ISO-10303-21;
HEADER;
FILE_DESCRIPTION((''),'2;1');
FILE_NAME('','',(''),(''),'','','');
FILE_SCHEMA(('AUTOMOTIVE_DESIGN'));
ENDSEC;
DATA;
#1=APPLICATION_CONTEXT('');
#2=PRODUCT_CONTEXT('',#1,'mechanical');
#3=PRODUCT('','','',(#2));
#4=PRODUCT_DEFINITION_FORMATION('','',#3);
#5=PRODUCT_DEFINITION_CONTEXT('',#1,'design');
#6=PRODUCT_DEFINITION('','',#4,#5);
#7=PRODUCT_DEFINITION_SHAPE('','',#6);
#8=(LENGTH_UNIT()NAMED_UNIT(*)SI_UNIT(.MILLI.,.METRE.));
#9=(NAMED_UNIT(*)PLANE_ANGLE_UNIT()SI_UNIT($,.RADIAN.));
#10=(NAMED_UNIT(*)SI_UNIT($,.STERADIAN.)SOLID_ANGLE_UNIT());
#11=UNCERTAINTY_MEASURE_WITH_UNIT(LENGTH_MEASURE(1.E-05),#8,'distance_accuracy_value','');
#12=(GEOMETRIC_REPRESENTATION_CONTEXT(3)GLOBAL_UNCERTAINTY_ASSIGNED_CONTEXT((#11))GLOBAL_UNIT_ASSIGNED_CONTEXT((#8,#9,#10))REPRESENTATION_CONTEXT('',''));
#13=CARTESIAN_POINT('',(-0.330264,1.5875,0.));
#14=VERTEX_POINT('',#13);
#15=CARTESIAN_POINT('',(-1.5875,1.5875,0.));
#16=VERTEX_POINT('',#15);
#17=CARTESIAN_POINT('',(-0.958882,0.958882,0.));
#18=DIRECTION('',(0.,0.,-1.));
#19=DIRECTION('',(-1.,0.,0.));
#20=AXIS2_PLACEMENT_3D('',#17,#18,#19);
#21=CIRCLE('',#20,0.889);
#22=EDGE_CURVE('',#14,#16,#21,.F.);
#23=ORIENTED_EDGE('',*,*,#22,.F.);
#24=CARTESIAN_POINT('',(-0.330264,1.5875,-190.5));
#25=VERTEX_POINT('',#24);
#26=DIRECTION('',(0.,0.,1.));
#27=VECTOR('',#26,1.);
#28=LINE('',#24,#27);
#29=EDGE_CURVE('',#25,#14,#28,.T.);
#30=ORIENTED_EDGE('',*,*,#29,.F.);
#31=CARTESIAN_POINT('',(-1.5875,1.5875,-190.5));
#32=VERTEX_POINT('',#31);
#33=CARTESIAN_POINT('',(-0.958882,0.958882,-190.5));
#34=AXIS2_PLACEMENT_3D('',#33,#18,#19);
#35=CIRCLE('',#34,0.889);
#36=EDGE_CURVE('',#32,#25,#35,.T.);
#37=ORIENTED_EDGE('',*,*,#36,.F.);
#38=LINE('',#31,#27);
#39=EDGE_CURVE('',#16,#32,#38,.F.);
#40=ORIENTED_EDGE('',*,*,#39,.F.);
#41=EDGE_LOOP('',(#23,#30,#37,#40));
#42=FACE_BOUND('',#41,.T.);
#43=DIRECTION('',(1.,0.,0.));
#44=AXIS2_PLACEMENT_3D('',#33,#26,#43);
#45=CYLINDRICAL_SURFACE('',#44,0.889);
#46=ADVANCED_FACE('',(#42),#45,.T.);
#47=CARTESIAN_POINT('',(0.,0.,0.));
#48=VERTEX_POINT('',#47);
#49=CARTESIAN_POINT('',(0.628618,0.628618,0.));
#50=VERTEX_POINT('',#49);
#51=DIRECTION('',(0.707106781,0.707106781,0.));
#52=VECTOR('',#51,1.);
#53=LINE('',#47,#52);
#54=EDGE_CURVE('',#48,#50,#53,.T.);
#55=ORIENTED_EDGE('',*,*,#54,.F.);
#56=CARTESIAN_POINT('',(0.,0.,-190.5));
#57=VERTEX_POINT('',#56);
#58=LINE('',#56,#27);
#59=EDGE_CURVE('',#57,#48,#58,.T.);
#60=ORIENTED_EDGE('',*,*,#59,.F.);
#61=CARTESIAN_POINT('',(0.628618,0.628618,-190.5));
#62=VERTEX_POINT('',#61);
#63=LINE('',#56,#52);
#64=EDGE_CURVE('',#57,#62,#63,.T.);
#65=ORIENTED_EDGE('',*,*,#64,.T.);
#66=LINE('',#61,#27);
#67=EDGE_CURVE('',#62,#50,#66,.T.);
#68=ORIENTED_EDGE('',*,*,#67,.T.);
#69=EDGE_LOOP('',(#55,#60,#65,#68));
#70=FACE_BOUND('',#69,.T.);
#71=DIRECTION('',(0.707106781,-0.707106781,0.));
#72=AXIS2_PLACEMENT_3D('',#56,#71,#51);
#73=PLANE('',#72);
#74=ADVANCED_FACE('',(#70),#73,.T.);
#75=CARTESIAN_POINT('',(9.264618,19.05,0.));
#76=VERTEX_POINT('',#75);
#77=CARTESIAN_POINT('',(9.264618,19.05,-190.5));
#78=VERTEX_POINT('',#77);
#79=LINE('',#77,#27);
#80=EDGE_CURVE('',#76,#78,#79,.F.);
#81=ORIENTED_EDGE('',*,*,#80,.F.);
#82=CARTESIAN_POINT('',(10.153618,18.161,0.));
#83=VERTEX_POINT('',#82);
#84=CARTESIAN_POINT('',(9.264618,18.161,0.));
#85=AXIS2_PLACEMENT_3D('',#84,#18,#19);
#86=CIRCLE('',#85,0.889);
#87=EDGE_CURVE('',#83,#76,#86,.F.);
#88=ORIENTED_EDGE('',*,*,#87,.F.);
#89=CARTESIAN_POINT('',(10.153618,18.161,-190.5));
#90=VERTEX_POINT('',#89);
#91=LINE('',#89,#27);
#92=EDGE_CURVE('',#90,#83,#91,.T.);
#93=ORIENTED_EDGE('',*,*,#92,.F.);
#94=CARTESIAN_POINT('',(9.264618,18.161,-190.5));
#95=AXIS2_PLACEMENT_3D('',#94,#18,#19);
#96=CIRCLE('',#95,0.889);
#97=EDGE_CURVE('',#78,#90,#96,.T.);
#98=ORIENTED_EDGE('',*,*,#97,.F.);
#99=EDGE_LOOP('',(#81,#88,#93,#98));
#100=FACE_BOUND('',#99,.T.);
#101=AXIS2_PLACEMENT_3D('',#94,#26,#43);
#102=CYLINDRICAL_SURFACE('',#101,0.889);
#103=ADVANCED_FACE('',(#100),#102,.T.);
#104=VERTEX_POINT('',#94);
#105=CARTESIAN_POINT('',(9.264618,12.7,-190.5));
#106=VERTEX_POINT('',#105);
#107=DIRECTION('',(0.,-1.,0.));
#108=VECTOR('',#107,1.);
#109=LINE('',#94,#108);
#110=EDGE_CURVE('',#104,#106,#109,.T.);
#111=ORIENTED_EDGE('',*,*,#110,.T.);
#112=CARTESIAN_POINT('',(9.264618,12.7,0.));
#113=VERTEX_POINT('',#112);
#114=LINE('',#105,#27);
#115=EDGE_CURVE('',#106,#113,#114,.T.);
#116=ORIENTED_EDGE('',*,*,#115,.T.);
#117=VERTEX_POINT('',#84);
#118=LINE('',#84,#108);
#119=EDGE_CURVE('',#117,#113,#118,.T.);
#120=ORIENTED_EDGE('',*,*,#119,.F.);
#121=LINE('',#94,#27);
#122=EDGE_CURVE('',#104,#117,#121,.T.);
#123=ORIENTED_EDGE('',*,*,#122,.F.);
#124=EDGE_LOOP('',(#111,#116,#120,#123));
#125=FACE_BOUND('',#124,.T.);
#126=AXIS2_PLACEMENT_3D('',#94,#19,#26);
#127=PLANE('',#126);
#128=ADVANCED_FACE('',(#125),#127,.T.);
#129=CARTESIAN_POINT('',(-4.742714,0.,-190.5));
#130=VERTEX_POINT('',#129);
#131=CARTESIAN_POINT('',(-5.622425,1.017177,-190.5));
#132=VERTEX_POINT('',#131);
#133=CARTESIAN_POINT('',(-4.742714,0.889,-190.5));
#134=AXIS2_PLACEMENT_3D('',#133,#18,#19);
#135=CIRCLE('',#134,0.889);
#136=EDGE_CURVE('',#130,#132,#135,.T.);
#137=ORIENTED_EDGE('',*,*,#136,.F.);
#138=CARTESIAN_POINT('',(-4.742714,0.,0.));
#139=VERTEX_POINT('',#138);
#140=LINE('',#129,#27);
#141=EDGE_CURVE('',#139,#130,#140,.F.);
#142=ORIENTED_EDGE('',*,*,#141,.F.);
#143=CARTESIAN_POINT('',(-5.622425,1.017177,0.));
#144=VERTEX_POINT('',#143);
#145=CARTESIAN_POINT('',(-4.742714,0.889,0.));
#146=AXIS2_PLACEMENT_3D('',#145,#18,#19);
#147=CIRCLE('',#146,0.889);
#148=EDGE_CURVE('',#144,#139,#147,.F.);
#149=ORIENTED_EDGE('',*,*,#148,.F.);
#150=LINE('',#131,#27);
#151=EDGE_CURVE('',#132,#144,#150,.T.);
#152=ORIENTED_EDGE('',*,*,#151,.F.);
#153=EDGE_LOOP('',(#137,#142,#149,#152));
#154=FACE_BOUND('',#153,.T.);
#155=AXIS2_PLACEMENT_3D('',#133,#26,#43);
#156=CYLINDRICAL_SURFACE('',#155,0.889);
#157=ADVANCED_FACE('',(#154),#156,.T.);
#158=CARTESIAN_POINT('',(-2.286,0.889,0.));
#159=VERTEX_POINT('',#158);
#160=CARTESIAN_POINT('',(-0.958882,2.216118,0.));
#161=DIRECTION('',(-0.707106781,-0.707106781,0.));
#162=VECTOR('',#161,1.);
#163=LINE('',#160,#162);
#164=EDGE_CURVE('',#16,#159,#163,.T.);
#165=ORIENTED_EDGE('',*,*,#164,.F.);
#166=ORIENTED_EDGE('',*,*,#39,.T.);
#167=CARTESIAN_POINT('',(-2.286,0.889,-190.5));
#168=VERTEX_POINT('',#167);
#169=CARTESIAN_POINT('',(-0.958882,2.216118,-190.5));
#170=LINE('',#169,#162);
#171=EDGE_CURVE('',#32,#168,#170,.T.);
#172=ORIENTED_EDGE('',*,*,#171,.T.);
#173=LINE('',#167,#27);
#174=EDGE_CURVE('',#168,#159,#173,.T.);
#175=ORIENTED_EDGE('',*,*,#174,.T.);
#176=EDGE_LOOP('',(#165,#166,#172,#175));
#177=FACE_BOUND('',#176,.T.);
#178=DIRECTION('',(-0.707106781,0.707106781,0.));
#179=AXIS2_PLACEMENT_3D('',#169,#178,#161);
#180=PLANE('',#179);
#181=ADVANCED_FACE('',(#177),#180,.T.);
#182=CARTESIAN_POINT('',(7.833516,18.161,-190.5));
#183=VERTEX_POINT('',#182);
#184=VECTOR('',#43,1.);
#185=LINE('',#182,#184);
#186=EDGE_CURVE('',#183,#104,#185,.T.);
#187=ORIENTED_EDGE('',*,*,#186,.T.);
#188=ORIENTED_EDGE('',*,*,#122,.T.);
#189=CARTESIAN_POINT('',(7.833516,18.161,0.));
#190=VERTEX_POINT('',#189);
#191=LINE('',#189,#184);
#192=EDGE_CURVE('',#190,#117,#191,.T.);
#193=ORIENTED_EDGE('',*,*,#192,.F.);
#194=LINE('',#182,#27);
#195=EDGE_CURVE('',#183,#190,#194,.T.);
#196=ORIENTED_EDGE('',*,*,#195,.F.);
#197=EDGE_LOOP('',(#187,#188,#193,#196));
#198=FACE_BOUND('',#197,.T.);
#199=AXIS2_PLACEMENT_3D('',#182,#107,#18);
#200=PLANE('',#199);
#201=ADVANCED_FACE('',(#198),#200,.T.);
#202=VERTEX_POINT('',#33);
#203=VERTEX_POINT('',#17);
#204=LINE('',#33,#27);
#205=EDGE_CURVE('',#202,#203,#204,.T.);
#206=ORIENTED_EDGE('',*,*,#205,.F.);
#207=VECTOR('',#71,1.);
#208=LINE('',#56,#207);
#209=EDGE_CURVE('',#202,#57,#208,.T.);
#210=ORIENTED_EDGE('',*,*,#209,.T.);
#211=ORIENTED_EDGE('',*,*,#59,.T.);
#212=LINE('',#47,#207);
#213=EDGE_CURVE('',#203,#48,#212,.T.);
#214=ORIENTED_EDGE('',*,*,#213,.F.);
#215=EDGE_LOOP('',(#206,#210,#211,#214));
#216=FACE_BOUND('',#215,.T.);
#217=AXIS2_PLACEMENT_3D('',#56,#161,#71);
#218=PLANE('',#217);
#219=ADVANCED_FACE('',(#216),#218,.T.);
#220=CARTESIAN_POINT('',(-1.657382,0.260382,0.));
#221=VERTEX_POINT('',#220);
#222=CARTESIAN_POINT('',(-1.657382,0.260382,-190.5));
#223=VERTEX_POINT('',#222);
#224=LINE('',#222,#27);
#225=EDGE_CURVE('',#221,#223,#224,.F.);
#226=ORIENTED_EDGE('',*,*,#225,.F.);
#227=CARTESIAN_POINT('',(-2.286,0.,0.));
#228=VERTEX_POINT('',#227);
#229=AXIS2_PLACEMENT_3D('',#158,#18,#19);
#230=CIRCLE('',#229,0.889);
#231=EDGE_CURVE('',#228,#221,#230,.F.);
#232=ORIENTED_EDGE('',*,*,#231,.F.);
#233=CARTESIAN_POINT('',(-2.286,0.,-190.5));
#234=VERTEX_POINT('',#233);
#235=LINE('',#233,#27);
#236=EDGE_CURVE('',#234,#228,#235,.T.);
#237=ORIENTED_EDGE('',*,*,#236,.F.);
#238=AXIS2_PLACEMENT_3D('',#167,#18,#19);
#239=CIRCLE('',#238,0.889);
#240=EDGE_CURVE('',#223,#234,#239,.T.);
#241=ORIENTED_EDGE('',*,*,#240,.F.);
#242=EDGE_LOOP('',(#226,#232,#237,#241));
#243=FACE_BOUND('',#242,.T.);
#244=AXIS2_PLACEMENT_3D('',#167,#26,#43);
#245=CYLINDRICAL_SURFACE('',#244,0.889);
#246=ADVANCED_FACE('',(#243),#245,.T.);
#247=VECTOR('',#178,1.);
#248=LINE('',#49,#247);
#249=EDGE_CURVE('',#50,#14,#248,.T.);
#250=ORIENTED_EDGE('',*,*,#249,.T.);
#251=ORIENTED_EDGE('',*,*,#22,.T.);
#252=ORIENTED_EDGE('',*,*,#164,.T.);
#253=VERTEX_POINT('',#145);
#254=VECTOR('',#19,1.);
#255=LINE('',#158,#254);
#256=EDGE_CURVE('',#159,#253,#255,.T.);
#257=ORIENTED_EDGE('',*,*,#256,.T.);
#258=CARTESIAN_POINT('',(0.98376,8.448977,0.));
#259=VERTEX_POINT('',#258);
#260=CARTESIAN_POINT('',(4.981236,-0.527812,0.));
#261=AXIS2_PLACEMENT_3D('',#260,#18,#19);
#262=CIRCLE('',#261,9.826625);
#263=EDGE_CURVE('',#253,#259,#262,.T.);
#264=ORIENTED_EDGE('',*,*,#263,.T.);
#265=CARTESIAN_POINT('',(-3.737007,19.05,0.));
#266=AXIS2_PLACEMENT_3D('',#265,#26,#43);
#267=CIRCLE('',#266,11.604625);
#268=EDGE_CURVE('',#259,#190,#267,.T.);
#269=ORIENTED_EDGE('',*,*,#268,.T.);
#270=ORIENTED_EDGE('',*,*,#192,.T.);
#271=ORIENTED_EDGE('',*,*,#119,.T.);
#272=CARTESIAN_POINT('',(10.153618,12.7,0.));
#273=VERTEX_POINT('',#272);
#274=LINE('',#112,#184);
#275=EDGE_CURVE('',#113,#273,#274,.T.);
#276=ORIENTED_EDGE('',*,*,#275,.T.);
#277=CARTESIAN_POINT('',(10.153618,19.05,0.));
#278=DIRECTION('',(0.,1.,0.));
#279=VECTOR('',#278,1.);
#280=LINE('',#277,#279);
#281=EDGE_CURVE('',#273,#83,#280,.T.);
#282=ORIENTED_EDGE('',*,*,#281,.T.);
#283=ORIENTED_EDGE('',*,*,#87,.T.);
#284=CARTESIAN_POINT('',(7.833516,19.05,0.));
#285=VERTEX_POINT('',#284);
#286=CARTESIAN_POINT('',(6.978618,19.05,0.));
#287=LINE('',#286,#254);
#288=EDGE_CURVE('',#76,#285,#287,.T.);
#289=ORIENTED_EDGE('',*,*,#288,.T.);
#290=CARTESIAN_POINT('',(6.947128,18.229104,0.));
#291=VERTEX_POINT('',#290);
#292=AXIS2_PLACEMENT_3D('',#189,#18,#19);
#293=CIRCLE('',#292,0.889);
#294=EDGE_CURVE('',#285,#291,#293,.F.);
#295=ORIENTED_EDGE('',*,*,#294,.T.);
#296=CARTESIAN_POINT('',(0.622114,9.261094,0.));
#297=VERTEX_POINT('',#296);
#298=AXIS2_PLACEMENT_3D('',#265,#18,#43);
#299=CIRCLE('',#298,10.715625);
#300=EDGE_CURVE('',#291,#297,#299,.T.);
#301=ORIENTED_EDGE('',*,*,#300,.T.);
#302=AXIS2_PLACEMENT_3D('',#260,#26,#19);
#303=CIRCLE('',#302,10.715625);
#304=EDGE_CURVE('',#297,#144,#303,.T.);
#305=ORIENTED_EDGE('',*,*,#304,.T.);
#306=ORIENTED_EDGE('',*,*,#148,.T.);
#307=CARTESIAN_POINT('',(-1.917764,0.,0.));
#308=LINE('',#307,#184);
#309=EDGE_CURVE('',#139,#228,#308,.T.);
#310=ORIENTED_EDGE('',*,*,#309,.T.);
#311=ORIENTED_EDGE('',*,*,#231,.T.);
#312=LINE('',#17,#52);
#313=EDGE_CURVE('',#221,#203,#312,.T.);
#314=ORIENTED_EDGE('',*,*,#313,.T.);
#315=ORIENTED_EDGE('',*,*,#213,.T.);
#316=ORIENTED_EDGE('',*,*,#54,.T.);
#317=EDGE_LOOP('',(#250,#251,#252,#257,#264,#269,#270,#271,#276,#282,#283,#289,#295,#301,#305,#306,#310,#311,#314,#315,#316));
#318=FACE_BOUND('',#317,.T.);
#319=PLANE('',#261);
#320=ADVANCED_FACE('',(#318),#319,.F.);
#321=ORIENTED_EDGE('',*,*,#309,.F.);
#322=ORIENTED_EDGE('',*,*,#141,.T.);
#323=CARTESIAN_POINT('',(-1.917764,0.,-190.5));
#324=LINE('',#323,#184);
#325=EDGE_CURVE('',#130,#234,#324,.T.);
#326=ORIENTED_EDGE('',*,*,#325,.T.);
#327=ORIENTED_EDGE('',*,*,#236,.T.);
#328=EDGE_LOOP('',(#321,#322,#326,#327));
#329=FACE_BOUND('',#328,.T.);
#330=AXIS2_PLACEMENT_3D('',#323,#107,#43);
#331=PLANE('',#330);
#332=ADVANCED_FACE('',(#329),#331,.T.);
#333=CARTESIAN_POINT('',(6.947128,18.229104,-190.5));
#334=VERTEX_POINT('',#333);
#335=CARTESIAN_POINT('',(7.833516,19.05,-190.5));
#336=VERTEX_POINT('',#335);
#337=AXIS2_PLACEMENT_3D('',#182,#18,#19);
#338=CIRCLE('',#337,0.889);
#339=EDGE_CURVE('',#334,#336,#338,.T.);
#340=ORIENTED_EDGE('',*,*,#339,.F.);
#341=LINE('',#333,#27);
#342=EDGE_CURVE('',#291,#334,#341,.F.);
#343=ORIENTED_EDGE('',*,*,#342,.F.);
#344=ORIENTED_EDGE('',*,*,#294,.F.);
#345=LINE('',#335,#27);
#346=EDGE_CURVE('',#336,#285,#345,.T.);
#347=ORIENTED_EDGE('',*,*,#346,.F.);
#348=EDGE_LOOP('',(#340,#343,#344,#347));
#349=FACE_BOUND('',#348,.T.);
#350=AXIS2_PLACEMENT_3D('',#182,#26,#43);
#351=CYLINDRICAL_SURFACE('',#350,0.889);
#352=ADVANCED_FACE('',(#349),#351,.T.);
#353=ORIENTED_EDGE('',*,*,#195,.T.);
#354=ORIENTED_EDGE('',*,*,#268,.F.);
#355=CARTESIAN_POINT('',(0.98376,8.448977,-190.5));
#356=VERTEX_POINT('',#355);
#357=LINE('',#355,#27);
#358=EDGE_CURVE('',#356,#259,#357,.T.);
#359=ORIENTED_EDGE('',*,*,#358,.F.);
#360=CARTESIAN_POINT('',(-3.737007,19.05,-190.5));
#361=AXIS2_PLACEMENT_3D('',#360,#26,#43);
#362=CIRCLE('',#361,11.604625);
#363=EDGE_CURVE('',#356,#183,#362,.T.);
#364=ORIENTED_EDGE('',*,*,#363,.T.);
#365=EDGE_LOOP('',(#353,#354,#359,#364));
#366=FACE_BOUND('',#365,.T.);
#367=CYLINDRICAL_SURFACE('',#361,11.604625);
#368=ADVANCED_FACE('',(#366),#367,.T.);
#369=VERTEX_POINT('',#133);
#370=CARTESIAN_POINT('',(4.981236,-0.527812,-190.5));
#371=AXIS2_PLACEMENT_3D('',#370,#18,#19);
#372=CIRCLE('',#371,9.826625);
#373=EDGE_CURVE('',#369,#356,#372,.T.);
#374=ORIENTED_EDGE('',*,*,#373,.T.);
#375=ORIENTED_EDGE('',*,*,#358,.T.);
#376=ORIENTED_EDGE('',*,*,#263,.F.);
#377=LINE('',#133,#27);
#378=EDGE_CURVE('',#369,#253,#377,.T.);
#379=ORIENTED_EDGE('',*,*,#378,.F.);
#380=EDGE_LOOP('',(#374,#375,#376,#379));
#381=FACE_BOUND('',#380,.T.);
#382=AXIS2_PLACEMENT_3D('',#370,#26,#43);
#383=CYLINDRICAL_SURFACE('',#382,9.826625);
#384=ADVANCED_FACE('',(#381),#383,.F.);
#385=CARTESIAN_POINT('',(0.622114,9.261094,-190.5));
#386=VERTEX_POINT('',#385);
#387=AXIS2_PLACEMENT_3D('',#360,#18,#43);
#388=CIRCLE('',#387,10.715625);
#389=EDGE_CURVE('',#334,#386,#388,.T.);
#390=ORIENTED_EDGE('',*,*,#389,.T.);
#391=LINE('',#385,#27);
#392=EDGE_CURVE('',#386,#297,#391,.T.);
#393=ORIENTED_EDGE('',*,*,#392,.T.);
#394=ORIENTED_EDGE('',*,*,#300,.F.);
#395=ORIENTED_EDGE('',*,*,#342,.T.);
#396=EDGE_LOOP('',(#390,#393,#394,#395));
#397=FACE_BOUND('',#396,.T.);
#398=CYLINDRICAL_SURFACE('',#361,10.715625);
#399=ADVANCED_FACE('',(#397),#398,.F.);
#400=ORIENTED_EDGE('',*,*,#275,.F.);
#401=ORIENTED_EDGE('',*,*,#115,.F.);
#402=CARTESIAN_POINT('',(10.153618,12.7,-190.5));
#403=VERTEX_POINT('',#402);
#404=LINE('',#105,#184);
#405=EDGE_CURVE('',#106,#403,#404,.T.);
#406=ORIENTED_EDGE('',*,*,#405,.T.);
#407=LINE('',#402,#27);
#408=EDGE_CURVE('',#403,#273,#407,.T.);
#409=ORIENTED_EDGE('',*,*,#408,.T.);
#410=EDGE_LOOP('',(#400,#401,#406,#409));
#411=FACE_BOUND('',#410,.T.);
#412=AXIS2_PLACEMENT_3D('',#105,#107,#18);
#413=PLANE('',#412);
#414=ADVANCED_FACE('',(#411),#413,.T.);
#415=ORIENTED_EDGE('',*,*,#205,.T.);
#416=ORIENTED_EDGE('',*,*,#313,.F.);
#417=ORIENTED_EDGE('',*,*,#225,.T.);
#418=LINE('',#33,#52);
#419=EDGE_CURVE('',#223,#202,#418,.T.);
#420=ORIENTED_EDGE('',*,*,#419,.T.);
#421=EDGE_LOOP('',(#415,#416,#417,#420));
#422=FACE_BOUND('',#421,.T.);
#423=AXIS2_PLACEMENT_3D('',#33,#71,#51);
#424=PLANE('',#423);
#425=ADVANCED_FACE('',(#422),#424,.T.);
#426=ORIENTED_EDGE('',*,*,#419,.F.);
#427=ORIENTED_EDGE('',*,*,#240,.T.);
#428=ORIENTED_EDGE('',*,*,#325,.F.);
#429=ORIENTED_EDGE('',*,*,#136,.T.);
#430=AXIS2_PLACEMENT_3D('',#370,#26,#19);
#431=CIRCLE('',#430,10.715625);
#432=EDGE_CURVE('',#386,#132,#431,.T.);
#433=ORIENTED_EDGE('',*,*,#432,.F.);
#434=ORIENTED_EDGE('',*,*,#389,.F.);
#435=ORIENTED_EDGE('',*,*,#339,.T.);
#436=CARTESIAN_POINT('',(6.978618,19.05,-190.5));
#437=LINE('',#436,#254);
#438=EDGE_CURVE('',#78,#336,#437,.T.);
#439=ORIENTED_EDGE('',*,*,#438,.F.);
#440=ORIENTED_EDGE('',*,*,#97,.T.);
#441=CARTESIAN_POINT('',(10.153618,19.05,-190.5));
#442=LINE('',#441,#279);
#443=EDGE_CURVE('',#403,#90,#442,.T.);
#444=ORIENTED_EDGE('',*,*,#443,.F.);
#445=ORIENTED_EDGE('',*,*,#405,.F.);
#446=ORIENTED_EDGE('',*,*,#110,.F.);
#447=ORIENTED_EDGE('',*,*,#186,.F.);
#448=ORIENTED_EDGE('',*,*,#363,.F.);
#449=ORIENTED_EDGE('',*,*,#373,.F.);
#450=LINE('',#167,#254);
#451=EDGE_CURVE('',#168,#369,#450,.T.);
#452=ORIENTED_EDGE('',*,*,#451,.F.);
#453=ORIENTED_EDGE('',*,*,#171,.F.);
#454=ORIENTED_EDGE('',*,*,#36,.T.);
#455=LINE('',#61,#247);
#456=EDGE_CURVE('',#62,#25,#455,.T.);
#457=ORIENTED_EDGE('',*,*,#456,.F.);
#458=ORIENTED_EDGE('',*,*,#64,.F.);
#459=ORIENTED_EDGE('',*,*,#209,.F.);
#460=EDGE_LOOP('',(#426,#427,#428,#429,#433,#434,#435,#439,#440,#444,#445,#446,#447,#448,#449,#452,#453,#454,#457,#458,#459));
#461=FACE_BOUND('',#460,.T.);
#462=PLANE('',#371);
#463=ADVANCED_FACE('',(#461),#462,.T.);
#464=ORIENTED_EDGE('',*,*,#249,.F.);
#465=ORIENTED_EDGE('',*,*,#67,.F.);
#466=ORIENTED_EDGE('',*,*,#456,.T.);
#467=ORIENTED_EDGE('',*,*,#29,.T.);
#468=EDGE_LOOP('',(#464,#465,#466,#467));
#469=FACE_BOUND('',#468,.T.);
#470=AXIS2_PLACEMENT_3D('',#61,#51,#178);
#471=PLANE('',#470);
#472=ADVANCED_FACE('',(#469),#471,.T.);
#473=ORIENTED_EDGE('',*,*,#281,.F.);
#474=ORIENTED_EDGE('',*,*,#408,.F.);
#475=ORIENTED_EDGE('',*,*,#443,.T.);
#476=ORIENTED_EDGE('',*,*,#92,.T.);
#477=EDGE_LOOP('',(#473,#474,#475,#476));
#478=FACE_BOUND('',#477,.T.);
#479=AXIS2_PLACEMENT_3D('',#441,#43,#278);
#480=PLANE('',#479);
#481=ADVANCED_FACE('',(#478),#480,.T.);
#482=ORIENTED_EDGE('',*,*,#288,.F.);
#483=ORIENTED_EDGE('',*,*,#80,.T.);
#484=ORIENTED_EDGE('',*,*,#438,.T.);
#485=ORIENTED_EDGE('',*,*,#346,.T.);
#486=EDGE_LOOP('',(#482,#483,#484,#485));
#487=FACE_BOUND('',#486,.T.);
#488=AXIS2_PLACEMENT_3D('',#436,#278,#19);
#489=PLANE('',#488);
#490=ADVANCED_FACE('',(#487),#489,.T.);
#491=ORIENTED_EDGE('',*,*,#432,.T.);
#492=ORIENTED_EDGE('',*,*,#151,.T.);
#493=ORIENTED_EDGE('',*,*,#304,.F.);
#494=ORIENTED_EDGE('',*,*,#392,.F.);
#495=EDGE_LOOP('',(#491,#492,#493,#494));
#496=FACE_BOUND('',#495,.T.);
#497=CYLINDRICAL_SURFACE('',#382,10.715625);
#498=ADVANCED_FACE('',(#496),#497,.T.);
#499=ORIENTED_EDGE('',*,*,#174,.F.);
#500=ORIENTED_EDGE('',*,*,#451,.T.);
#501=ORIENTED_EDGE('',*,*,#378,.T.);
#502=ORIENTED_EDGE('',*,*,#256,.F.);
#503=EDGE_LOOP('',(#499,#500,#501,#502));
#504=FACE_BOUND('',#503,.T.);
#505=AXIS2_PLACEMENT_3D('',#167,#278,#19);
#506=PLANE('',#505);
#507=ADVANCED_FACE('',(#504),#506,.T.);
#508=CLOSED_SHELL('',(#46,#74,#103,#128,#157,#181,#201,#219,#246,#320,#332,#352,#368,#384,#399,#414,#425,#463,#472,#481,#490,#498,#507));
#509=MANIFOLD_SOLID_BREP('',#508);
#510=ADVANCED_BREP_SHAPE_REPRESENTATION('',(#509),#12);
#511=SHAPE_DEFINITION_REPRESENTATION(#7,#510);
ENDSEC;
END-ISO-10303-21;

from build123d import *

# Parameters (mm, degrees)
BOSS_EXTRUDE1_DEPTH = 190.5
FILLET1_R           = 0.889


with BuildPart() as part:
    # Sketch1 → Boss-Extrude1 (new body)
    with BuildSketch(Plane.XY):
        with BuildLine():
            Line((0, 0), (-0.958882072, 0.958882072))
            Line((-0.958882072, 0.958882072), (-1.917764143, 0))
            Line((-1.917764143, 0), (-5.721382072, 0))
            ThreePointArc((-5.721382072, 0), (-3.85935029, 5.527652939), (0.622114471, 9.26109411))
            ThreePointArc((0.622114471, 9.26109411), (5.250076185, 13.214166411), (6.978617928, 19.05))
            Line((6.978617928, 19.05), (10.153617928, 19.05))
            Line((10.153617928, 19.05), (10.153617928, 12.7))
            Line((10.153617928, 12.7), (9.264617928, 12.7))
            Line((9.264617928, 12.7), (9.264617928, 18.161))
            Line((9.264617928, 18.161), (7.833515838, 18.161))
            ThreePointArc((7.833515838, 18.161), (5.746261278, 12.361581443), (0.98376011, 8.448977473))
            ThreePointArc((0.98376011, 8.448977473), (-2.851879391, 5.405556737), (-4.74271397, 0.889))
            Line((-4.74271397, 0.889), (-2.286, 0.889))
            Line((-2.286, 0.889), (-0.958882072, 2.216117928))
            Line((-0.958882072, 2.216117928), (0.628617928, 0.628617928))
            Line((0.628617928, 0.628617928), (0, 0))
        make_face()
    extrude(amount=-BOSS_EXTRUDE1_DEPTH)

    # Fillet1
    fillet1_edges = [part.edges().sort_by_distance(p)[0] for p in [
        (-1.917764143, 0, -95.25),
        (-5.721382072, 0, -95.25),
        (6.978617928, 19.05, -95.25),
        (10.153617928, 19.05, -95.25),
        (-0.958882072, 2.216117928, -95.25),
    ]]
    fillet(fillet1_edges, radius=FILLET1_R)


solid = part.part
